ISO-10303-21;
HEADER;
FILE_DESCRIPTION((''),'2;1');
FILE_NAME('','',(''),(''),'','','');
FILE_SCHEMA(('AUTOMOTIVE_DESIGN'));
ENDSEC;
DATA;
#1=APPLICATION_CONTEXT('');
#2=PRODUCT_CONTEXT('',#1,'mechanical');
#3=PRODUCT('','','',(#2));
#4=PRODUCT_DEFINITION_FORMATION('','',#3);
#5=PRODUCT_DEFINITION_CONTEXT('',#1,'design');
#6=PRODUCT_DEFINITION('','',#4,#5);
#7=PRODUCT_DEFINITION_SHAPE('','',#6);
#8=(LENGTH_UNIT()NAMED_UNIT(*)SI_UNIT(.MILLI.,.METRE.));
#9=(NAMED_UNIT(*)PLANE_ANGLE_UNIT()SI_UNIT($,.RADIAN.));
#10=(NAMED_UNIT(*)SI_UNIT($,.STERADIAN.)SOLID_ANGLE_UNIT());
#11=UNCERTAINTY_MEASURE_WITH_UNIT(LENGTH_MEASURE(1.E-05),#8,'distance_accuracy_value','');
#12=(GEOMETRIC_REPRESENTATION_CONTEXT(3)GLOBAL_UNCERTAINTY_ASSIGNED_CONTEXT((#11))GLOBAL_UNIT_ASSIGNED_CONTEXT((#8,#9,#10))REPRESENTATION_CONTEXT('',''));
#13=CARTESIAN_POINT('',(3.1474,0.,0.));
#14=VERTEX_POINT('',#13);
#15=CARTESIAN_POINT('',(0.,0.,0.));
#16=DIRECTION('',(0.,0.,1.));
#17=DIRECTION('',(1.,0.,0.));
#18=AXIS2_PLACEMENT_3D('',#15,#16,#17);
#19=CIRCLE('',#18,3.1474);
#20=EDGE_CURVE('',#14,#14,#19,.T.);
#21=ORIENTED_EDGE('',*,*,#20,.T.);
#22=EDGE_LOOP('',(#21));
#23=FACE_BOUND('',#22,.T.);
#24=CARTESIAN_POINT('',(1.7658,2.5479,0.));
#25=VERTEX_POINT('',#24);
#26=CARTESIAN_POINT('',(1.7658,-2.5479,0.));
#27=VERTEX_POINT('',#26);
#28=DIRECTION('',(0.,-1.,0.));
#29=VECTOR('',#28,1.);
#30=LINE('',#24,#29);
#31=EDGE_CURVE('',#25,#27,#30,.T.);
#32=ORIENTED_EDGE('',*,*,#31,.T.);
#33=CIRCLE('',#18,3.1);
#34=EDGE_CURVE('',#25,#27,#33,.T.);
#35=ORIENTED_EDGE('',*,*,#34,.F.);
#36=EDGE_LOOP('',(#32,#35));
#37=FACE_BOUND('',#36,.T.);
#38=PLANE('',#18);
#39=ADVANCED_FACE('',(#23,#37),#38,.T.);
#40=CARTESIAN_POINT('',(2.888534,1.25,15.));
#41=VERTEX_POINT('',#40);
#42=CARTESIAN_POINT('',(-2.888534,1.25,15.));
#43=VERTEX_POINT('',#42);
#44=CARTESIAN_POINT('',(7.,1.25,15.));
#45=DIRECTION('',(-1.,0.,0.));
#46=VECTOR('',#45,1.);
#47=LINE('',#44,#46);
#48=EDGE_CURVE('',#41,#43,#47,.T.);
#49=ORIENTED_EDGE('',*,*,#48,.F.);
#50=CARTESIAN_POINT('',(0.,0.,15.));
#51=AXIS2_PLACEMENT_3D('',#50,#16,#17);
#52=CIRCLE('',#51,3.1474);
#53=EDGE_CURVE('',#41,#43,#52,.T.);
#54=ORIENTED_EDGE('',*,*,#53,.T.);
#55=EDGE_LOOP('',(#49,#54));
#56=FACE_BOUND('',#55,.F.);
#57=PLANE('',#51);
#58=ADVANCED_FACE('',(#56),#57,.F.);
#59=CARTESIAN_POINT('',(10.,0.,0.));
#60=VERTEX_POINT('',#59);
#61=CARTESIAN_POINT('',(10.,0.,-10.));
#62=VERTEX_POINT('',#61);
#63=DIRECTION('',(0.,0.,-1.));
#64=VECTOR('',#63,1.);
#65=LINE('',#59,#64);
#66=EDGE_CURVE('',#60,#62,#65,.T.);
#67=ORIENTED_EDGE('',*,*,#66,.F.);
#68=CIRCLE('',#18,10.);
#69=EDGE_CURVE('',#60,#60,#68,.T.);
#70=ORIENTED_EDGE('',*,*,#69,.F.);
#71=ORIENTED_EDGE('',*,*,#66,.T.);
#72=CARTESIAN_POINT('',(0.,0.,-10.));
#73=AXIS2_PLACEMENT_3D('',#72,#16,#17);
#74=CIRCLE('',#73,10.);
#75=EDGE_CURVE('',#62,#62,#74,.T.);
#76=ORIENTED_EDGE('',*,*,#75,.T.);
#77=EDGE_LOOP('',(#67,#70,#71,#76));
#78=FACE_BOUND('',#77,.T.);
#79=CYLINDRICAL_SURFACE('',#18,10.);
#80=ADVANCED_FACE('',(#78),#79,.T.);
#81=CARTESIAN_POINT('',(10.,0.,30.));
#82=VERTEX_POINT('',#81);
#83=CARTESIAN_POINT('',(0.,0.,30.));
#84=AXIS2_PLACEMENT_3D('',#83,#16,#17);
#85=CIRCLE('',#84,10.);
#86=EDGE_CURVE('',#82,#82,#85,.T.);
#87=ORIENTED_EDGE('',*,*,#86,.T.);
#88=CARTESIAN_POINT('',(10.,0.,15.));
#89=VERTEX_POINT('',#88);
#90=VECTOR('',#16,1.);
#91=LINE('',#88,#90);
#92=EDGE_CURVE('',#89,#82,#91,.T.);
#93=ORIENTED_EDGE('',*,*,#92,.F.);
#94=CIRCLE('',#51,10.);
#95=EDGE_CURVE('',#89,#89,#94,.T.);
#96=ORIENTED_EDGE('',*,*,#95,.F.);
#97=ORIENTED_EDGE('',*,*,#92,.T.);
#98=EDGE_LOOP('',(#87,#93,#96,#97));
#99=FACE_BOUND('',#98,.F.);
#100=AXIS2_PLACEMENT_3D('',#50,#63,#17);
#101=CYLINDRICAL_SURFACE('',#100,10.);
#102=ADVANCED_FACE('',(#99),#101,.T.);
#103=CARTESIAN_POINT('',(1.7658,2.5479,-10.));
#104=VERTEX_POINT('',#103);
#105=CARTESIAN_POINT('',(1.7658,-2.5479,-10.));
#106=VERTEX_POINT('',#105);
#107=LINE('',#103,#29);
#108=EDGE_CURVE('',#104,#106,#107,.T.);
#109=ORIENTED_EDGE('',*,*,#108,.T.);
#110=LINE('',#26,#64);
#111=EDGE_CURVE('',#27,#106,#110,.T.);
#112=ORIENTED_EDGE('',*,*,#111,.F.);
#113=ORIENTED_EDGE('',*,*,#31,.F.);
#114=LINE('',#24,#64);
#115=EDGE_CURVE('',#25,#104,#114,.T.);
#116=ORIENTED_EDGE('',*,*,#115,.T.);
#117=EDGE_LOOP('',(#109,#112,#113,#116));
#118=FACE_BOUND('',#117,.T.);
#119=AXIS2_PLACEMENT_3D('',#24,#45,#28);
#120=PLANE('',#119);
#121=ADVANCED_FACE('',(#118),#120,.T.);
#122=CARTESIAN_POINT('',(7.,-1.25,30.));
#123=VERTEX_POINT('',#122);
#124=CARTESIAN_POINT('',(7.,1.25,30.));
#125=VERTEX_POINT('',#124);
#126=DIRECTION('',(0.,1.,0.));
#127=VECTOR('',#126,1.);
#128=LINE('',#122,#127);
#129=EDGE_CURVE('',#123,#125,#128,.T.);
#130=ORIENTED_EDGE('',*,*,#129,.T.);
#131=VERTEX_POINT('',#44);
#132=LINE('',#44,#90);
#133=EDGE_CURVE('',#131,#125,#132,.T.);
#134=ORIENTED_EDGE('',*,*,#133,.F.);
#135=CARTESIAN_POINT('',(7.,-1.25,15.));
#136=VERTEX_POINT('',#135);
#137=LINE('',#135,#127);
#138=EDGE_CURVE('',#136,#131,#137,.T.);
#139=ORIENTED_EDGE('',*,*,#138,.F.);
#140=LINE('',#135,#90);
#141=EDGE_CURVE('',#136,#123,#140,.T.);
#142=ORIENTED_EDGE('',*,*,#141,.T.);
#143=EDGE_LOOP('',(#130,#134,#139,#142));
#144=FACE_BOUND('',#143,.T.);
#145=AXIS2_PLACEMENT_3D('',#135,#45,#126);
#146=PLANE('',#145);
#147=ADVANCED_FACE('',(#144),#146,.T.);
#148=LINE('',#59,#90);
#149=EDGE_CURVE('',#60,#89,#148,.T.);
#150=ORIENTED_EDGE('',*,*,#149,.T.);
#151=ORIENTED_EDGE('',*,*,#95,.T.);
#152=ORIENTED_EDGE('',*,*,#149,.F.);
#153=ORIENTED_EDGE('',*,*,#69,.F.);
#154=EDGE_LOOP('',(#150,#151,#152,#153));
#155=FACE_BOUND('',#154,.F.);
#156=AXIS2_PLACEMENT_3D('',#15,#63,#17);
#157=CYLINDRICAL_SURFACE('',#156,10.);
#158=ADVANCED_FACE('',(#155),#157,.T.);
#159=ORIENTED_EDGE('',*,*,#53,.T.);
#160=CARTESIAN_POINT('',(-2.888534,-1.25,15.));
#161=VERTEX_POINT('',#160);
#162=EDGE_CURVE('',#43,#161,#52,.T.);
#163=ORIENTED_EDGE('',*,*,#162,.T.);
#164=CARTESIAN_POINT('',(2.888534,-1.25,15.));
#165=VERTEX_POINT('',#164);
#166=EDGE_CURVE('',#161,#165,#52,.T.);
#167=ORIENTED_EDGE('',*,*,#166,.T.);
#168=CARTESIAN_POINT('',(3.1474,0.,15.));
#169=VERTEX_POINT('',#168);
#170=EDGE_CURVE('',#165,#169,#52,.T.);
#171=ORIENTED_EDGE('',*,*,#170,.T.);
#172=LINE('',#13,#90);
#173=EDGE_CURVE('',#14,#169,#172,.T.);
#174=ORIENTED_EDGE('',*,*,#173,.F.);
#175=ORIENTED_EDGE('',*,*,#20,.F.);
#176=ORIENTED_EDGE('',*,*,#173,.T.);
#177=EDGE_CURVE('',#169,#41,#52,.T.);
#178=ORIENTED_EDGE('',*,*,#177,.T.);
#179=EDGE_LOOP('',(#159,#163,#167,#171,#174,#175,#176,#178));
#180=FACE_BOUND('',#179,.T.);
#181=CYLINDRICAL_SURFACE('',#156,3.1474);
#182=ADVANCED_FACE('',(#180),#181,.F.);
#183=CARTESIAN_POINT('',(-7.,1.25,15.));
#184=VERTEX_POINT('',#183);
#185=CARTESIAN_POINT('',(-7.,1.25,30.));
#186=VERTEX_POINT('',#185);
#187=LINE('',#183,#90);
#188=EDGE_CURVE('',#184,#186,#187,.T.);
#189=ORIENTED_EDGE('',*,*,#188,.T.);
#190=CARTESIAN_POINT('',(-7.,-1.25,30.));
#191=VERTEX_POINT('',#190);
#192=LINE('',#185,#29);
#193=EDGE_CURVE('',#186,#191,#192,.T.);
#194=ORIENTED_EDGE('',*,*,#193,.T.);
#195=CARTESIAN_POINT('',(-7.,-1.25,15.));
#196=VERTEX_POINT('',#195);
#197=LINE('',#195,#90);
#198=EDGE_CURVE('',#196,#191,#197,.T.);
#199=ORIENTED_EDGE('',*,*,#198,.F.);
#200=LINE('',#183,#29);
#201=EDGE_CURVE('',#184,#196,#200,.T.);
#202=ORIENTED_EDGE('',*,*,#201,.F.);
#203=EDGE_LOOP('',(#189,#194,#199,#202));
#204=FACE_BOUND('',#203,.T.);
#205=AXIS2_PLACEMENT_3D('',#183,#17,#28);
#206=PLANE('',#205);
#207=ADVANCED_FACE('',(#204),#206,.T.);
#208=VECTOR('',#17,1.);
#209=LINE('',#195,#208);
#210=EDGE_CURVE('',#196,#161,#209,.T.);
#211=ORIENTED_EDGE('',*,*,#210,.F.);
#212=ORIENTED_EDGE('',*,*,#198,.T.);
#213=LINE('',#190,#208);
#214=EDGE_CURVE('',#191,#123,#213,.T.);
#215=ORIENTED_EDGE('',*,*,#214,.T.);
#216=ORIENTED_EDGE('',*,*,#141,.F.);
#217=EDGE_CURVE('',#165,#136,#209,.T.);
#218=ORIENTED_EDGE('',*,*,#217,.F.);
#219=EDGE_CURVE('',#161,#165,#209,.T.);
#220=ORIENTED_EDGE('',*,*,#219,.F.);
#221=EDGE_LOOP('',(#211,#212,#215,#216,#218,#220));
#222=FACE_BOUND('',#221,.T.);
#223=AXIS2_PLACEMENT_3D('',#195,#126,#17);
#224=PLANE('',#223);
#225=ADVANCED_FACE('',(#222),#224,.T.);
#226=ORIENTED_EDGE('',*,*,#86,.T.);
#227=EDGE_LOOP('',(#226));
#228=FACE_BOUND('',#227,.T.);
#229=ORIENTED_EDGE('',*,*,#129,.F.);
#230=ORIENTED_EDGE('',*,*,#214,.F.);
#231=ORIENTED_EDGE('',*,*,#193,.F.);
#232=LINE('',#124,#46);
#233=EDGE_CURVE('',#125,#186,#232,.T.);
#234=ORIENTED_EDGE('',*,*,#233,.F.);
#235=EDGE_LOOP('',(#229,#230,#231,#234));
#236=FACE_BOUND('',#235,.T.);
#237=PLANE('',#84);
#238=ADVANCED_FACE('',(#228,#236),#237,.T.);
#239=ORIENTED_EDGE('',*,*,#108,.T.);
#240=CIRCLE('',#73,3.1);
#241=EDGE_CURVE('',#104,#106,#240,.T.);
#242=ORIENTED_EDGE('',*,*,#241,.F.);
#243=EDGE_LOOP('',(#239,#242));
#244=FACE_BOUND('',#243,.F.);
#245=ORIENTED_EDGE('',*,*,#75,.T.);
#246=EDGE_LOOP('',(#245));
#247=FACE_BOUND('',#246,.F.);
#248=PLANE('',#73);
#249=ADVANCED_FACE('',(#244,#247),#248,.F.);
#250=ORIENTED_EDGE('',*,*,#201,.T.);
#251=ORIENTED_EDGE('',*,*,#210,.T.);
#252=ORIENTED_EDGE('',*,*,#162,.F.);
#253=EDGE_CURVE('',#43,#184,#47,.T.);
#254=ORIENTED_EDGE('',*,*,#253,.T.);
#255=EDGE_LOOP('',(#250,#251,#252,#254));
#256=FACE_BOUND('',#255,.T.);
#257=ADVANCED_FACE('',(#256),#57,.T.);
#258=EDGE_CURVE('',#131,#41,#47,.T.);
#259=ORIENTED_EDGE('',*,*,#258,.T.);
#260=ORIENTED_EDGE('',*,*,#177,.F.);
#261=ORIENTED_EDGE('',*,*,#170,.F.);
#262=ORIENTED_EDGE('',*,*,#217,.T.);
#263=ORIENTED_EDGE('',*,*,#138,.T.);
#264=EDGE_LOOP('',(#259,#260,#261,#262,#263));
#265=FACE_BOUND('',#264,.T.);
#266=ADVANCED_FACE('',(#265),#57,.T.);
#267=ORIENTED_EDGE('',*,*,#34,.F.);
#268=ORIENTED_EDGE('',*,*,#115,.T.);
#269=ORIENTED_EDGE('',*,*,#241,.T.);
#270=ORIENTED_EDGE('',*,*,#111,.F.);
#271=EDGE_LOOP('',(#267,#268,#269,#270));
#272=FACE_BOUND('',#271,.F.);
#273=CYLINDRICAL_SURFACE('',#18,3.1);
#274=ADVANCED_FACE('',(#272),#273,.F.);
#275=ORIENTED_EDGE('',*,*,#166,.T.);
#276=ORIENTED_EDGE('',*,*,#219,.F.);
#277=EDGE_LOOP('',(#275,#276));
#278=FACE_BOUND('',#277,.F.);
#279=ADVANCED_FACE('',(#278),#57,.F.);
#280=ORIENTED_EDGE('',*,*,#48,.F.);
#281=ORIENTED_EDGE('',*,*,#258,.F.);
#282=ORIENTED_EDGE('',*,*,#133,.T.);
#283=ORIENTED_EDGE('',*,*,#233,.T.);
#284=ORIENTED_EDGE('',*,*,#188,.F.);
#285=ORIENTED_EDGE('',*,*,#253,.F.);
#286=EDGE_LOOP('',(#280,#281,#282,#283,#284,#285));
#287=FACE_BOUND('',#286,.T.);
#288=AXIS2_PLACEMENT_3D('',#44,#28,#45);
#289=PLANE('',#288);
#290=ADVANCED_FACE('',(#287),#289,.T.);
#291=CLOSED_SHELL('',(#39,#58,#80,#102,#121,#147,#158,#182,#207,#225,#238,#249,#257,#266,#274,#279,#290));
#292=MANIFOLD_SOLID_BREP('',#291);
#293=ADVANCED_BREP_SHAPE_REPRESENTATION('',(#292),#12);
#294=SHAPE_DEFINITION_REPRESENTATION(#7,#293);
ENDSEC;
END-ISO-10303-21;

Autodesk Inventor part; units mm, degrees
ref_plane "YZ Plane" through (0, 0, 0) normal (1, 0, 0) x (0, 1, 0)
ref_plane "XZ Plane" through (0, 0, 0) normal (0, 1, 0) x (-1, 0, 0)
ref_plane "XY Plane" through (0, 0, 0) normal (0, 0, 1) x (1, 0, 0)
sketch "Sketch1" plane through (0, 0, 0) normal (0, 0, 1) x (1, 0, 0)
  line L0 (1.5658, -2.5487) -> (1.5658, 2.559) projected
  arc A0 (1.5658, 2.559) -> (1.5824, -2.5487) centre (0, 0) ccw projected
  line L1 (1.5824, -2.5487) -> (1.5658, -2.5487) projected
  circle A1 centre (0, 0) radius 10
  circle A2 centre (0, 0) radius 3.1
  line L2 (1.7658, 2.5479) -> (1.7658, -2.5479)
  point P0 (0, 0)
  dimension "d0" = 20
  dimension "d1" = 6.2
  dimension "d2" = 0.2
extrude "Extrusion1" add sketch "Sketch1" against normal blind 10 contours A1 | A2 L2 picked at (2.2105, 0)
sketch "Sketch2" plane through (0, 0, 0) normal (0, 0, 1) x (1, 0, 0)
  circle A0 centre (0, 0) radius 3.1474
  circle A1 centre (0, 0) radius 10
extrude "Extrusion2" add sketch "Sketch2" along normal blind 15
sketch "Sketch3" plane through (0, 0, 15) normal (0, 0, 1) x (1, 0, 0)
  line L0 (7, 1.25) -> (-7, 1.25)
  line L1 (-7, 1.25) -> (-7, -1.25)
  line L2 (-7, -1.25) -> (7, -1.25)
  line L3 (7, -1.25) -> (7, 1.25)
  circle A0 centre (0, 0) radius 10
  dimension "d7" = 2.5
  dimension "d8" = 14
  dimension "d9" = 1.25
  dimension "d10" = 7
extrude "Extrusion3" add sketch "Sketch3" along normal blind 15
equation "\"d9\" = 0.5 * d7"
equation "\"d10\" = 0.5 * d8"
properties part number "RollerMotorCoupler"
